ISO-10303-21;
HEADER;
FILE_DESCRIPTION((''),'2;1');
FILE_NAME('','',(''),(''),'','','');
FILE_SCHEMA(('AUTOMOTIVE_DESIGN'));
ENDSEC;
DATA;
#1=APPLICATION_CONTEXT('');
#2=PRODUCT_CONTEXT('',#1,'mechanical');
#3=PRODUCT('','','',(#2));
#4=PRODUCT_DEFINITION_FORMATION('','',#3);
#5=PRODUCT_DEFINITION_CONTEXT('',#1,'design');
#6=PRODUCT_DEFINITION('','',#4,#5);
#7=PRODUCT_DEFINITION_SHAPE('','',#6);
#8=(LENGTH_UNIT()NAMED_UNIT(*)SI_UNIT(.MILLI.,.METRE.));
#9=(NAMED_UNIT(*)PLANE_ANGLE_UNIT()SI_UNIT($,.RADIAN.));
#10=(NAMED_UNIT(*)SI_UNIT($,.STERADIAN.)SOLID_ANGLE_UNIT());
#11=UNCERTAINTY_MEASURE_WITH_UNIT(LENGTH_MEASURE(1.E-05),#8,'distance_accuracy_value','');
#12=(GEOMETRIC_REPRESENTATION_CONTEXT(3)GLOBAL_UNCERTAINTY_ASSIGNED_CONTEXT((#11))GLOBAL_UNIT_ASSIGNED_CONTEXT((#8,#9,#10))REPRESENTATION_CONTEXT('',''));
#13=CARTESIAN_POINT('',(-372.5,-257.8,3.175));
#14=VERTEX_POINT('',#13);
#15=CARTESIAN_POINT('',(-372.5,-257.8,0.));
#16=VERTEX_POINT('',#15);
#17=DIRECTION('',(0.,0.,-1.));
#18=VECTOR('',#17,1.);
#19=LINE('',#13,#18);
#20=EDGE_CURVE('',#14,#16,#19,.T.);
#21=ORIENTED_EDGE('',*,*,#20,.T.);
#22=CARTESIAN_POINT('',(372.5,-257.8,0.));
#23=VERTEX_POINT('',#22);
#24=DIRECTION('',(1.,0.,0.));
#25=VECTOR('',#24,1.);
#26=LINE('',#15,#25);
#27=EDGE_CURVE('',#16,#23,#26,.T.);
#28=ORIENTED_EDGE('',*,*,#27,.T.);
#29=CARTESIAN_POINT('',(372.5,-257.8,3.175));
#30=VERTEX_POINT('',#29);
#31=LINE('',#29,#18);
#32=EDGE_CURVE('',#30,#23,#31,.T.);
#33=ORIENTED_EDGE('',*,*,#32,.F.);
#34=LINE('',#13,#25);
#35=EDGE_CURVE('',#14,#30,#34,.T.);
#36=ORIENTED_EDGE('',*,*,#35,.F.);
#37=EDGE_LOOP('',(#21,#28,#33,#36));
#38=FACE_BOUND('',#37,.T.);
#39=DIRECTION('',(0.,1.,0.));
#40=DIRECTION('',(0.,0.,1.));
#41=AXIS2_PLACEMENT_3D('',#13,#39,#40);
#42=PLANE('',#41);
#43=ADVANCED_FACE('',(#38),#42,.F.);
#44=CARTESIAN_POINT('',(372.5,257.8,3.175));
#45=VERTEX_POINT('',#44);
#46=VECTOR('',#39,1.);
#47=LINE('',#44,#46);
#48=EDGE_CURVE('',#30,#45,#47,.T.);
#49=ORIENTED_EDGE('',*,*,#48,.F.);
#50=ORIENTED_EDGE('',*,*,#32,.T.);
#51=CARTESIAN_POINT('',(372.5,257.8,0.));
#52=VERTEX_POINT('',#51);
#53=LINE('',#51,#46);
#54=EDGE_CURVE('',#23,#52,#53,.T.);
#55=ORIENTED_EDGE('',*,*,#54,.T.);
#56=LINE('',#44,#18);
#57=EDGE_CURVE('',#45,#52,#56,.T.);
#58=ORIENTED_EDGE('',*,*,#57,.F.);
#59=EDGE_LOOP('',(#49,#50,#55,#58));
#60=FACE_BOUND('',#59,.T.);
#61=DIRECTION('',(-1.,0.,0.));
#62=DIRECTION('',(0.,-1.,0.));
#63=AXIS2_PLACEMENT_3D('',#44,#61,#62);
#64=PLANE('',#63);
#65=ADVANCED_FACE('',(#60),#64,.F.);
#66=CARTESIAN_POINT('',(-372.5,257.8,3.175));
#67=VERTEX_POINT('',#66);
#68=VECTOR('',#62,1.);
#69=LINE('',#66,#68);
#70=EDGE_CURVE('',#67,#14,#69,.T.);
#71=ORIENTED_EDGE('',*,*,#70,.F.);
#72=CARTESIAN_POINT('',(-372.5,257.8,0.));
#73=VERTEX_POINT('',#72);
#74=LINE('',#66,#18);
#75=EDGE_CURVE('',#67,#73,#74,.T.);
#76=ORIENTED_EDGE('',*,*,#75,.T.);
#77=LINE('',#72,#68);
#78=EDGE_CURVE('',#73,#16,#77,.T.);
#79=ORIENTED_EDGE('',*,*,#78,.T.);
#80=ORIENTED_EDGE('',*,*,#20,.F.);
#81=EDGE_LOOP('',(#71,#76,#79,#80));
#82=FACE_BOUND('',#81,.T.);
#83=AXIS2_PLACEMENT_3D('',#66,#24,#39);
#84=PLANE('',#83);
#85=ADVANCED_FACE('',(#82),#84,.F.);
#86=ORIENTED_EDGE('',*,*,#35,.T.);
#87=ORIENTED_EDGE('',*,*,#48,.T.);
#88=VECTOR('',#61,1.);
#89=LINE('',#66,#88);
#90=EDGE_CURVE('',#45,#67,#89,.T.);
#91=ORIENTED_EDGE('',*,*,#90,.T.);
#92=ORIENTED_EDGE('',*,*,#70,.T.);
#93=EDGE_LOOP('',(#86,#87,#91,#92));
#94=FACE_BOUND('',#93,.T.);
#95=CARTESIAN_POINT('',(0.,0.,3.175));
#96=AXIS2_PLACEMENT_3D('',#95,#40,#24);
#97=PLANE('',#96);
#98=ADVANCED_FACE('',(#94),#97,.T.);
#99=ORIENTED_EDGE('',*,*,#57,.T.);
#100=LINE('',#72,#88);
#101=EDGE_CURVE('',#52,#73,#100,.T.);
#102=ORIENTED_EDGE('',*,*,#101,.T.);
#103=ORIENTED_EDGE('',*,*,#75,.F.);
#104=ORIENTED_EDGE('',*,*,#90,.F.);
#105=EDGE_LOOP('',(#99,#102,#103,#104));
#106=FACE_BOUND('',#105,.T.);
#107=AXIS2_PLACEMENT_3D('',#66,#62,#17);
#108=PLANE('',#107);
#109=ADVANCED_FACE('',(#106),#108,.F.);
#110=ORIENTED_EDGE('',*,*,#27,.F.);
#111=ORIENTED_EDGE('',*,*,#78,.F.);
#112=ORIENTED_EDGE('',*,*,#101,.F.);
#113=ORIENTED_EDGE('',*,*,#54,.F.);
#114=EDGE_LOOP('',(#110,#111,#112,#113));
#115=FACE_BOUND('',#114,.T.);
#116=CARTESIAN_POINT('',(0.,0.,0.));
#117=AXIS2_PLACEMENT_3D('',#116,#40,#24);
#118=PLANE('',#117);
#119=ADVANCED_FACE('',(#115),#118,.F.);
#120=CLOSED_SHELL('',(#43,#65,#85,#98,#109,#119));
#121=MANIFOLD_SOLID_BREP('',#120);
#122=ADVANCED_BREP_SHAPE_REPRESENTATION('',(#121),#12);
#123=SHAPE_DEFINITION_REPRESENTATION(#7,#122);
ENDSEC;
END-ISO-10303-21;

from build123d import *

# Parameters (mm, degrees)
SKETCH1_W           = 745
SKETCH1_H           = 515.6
BOSS_EXTRUDE1_DEPTH = 3.175


with BuildPart() as part:
    # Sketch1 → Boss-Extrude1 (new body)
    with BuildSketch(Plane.XY):
        Rectangle(SKETCH1_W, SKETCH1_H)
    extrude(amount=BOSS_EXTRUDE1_DEPTH)


solid = part.part
